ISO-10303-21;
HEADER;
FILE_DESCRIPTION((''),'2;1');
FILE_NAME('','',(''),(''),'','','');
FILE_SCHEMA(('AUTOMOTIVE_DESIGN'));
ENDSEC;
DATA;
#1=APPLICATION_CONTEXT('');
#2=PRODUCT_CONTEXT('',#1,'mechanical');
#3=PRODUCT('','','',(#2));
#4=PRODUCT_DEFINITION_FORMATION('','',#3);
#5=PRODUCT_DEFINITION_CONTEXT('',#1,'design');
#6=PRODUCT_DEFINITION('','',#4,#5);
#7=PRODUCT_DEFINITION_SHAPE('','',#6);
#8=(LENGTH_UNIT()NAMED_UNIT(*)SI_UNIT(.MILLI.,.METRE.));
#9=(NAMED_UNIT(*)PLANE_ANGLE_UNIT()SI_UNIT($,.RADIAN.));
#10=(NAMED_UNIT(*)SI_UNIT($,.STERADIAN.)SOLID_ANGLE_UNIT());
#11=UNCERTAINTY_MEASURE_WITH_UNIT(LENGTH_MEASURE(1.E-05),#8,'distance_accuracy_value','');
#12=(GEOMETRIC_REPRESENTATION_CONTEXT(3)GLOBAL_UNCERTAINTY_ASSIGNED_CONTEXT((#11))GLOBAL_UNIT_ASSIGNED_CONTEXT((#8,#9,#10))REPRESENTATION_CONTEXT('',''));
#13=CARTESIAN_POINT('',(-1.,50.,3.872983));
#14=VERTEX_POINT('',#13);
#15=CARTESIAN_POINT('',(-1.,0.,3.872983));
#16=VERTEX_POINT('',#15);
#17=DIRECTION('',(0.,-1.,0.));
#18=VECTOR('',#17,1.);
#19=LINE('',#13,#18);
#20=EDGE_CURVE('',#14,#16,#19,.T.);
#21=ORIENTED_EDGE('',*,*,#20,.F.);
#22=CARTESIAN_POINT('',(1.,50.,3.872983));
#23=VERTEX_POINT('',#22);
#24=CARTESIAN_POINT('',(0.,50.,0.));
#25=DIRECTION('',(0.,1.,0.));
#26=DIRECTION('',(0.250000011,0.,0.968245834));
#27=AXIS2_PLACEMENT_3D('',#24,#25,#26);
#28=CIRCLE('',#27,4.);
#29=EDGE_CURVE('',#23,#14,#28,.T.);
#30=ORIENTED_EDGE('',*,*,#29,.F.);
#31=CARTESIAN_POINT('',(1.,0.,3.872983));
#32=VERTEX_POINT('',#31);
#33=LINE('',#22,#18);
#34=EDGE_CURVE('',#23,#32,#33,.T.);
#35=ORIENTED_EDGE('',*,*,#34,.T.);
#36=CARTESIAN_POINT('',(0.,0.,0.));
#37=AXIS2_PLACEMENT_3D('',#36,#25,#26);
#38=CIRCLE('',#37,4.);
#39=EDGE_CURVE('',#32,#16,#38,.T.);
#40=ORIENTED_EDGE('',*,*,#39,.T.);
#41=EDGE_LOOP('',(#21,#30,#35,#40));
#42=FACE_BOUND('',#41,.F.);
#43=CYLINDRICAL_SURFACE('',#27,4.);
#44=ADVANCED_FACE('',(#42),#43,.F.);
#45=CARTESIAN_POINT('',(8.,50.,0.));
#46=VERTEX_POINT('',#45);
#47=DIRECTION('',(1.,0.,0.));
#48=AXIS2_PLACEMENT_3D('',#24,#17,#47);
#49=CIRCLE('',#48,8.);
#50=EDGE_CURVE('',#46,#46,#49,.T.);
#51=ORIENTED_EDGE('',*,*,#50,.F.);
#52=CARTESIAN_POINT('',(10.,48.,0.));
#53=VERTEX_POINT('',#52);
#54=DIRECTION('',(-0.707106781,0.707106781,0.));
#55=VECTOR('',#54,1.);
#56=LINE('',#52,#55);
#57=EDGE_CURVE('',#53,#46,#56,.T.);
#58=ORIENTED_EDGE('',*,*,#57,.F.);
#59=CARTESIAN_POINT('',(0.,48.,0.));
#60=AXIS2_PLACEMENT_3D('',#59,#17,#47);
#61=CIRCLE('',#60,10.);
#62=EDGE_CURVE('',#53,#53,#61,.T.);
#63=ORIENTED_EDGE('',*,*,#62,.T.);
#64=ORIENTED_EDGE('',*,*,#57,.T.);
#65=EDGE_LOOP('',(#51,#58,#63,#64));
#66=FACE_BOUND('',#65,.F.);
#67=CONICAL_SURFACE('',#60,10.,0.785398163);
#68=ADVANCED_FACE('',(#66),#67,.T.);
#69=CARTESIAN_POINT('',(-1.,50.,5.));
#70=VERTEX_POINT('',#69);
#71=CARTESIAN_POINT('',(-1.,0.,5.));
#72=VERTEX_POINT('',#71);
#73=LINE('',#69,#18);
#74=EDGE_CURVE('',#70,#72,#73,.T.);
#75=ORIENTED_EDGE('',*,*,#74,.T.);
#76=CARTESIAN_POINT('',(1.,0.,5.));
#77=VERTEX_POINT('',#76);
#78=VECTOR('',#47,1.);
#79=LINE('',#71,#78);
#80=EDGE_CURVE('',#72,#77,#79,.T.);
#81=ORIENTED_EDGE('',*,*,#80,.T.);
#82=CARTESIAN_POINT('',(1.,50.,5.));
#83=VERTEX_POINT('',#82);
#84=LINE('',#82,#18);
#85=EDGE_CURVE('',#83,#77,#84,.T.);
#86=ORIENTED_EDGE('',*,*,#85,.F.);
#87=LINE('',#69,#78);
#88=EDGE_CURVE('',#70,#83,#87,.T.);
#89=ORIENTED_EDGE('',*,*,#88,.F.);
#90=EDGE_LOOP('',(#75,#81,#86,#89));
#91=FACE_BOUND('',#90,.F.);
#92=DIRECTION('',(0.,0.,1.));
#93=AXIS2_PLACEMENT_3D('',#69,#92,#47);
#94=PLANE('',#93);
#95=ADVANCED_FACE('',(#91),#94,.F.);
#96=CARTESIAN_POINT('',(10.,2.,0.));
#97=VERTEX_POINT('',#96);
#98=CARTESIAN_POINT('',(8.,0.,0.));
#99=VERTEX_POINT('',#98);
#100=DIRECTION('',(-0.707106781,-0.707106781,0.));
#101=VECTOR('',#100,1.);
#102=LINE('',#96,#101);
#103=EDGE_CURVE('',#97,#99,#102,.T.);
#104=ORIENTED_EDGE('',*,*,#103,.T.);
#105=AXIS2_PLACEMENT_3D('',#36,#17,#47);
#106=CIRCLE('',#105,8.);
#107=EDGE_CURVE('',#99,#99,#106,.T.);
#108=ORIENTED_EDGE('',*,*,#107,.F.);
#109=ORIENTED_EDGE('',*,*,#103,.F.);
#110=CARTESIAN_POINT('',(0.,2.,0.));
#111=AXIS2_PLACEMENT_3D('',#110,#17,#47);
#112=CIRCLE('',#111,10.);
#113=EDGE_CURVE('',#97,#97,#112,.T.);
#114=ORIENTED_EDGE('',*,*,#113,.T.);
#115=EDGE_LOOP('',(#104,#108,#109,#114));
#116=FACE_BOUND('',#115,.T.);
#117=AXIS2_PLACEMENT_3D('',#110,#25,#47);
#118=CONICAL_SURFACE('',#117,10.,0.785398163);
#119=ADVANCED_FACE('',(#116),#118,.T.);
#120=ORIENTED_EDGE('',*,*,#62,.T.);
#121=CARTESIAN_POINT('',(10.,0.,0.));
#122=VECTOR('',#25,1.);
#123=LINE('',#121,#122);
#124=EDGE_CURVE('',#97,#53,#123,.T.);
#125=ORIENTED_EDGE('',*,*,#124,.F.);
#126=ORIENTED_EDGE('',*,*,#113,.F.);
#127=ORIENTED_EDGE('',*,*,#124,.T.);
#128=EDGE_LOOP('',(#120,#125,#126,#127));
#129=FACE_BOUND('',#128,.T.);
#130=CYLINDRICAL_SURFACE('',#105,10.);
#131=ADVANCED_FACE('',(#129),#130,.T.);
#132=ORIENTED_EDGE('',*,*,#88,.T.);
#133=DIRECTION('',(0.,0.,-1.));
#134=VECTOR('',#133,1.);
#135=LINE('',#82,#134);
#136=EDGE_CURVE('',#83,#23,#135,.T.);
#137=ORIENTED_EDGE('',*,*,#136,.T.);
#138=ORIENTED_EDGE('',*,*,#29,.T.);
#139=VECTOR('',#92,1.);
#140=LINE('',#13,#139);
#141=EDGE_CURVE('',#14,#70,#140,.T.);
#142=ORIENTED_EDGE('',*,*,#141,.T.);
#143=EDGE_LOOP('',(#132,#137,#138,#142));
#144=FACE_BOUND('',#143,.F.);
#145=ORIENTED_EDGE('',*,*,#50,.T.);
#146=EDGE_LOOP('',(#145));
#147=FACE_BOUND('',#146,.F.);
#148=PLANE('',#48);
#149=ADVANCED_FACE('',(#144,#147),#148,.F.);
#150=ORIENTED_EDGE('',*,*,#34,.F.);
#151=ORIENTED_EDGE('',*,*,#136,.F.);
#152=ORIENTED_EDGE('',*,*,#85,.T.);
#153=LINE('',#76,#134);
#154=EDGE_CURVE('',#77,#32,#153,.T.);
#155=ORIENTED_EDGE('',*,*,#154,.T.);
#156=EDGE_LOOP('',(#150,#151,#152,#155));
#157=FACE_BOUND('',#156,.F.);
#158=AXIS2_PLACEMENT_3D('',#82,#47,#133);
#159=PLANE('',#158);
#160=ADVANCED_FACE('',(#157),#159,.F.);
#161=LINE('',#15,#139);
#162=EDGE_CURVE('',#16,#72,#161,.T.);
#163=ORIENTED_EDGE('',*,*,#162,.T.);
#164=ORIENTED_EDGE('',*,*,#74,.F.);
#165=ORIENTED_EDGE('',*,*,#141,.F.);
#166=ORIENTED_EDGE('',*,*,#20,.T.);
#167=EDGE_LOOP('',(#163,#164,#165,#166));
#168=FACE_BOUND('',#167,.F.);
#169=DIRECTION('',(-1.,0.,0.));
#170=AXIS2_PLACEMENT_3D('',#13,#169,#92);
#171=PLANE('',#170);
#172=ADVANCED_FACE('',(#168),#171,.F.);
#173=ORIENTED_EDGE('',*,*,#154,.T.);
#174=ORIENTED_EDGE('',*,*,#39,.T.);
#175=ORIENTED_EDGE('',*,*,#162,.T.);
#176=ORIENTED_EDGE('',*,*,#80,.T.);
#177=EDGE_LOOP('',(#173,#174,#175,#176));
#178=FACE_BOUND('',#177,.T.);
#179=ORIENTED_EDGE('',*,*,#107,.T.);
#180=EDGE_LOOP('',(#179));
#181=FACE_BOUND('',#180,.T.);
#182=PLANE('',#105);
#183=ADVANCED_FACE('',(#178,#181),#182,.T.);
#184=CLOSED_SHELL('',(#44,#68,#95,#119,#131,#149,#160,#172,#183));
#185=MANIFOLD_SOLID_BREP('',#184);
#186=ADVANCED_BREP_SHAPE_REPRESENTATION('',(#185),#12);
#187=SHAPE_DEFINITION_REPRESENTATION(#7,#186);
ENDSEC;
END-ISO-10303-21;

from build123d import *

# Parameters (mm, degrees)
F0_R     = 10
F1_DEPTH = 50
F2_SIZE  = 2
F4_DEPTH = 50


with BuildPart() as f1:
    # F0 (on Front) → F1 (new body)
    with BuildSketch(Plane.XZ):
        Circle(F0_R)
    extrude(amount=-F1_DEPTH)

    # F2
    f2_edges = [f1.edges().sort_by_distance(p)[0] for p in [
        (-10, 50, 0),
        (-10, 0, 0),
    ]]
    chamfer(f2_edges, length=F2_SIZE)

    # F3 (on face) → F4 (cut, through all)
    with BuildSketch(Plane(origin=(0, 50, 0), x_dir=(-1, 0, 0), z_dir=(0, 1, 0))):
        with BuildLine():
            Line((-1, 5), (-1, 3.872983))
            ThreePointArc((-1, 3.872983), (0, -4), (1, 3.872983))
            Line((1, 3.872983), (1, 5))
            Line((1, 5), (-1, 5))
        make_face()
    extrude(amount=-F4_DEPTH, mode=Mode.SUBTRACT)


solid = f1.part
